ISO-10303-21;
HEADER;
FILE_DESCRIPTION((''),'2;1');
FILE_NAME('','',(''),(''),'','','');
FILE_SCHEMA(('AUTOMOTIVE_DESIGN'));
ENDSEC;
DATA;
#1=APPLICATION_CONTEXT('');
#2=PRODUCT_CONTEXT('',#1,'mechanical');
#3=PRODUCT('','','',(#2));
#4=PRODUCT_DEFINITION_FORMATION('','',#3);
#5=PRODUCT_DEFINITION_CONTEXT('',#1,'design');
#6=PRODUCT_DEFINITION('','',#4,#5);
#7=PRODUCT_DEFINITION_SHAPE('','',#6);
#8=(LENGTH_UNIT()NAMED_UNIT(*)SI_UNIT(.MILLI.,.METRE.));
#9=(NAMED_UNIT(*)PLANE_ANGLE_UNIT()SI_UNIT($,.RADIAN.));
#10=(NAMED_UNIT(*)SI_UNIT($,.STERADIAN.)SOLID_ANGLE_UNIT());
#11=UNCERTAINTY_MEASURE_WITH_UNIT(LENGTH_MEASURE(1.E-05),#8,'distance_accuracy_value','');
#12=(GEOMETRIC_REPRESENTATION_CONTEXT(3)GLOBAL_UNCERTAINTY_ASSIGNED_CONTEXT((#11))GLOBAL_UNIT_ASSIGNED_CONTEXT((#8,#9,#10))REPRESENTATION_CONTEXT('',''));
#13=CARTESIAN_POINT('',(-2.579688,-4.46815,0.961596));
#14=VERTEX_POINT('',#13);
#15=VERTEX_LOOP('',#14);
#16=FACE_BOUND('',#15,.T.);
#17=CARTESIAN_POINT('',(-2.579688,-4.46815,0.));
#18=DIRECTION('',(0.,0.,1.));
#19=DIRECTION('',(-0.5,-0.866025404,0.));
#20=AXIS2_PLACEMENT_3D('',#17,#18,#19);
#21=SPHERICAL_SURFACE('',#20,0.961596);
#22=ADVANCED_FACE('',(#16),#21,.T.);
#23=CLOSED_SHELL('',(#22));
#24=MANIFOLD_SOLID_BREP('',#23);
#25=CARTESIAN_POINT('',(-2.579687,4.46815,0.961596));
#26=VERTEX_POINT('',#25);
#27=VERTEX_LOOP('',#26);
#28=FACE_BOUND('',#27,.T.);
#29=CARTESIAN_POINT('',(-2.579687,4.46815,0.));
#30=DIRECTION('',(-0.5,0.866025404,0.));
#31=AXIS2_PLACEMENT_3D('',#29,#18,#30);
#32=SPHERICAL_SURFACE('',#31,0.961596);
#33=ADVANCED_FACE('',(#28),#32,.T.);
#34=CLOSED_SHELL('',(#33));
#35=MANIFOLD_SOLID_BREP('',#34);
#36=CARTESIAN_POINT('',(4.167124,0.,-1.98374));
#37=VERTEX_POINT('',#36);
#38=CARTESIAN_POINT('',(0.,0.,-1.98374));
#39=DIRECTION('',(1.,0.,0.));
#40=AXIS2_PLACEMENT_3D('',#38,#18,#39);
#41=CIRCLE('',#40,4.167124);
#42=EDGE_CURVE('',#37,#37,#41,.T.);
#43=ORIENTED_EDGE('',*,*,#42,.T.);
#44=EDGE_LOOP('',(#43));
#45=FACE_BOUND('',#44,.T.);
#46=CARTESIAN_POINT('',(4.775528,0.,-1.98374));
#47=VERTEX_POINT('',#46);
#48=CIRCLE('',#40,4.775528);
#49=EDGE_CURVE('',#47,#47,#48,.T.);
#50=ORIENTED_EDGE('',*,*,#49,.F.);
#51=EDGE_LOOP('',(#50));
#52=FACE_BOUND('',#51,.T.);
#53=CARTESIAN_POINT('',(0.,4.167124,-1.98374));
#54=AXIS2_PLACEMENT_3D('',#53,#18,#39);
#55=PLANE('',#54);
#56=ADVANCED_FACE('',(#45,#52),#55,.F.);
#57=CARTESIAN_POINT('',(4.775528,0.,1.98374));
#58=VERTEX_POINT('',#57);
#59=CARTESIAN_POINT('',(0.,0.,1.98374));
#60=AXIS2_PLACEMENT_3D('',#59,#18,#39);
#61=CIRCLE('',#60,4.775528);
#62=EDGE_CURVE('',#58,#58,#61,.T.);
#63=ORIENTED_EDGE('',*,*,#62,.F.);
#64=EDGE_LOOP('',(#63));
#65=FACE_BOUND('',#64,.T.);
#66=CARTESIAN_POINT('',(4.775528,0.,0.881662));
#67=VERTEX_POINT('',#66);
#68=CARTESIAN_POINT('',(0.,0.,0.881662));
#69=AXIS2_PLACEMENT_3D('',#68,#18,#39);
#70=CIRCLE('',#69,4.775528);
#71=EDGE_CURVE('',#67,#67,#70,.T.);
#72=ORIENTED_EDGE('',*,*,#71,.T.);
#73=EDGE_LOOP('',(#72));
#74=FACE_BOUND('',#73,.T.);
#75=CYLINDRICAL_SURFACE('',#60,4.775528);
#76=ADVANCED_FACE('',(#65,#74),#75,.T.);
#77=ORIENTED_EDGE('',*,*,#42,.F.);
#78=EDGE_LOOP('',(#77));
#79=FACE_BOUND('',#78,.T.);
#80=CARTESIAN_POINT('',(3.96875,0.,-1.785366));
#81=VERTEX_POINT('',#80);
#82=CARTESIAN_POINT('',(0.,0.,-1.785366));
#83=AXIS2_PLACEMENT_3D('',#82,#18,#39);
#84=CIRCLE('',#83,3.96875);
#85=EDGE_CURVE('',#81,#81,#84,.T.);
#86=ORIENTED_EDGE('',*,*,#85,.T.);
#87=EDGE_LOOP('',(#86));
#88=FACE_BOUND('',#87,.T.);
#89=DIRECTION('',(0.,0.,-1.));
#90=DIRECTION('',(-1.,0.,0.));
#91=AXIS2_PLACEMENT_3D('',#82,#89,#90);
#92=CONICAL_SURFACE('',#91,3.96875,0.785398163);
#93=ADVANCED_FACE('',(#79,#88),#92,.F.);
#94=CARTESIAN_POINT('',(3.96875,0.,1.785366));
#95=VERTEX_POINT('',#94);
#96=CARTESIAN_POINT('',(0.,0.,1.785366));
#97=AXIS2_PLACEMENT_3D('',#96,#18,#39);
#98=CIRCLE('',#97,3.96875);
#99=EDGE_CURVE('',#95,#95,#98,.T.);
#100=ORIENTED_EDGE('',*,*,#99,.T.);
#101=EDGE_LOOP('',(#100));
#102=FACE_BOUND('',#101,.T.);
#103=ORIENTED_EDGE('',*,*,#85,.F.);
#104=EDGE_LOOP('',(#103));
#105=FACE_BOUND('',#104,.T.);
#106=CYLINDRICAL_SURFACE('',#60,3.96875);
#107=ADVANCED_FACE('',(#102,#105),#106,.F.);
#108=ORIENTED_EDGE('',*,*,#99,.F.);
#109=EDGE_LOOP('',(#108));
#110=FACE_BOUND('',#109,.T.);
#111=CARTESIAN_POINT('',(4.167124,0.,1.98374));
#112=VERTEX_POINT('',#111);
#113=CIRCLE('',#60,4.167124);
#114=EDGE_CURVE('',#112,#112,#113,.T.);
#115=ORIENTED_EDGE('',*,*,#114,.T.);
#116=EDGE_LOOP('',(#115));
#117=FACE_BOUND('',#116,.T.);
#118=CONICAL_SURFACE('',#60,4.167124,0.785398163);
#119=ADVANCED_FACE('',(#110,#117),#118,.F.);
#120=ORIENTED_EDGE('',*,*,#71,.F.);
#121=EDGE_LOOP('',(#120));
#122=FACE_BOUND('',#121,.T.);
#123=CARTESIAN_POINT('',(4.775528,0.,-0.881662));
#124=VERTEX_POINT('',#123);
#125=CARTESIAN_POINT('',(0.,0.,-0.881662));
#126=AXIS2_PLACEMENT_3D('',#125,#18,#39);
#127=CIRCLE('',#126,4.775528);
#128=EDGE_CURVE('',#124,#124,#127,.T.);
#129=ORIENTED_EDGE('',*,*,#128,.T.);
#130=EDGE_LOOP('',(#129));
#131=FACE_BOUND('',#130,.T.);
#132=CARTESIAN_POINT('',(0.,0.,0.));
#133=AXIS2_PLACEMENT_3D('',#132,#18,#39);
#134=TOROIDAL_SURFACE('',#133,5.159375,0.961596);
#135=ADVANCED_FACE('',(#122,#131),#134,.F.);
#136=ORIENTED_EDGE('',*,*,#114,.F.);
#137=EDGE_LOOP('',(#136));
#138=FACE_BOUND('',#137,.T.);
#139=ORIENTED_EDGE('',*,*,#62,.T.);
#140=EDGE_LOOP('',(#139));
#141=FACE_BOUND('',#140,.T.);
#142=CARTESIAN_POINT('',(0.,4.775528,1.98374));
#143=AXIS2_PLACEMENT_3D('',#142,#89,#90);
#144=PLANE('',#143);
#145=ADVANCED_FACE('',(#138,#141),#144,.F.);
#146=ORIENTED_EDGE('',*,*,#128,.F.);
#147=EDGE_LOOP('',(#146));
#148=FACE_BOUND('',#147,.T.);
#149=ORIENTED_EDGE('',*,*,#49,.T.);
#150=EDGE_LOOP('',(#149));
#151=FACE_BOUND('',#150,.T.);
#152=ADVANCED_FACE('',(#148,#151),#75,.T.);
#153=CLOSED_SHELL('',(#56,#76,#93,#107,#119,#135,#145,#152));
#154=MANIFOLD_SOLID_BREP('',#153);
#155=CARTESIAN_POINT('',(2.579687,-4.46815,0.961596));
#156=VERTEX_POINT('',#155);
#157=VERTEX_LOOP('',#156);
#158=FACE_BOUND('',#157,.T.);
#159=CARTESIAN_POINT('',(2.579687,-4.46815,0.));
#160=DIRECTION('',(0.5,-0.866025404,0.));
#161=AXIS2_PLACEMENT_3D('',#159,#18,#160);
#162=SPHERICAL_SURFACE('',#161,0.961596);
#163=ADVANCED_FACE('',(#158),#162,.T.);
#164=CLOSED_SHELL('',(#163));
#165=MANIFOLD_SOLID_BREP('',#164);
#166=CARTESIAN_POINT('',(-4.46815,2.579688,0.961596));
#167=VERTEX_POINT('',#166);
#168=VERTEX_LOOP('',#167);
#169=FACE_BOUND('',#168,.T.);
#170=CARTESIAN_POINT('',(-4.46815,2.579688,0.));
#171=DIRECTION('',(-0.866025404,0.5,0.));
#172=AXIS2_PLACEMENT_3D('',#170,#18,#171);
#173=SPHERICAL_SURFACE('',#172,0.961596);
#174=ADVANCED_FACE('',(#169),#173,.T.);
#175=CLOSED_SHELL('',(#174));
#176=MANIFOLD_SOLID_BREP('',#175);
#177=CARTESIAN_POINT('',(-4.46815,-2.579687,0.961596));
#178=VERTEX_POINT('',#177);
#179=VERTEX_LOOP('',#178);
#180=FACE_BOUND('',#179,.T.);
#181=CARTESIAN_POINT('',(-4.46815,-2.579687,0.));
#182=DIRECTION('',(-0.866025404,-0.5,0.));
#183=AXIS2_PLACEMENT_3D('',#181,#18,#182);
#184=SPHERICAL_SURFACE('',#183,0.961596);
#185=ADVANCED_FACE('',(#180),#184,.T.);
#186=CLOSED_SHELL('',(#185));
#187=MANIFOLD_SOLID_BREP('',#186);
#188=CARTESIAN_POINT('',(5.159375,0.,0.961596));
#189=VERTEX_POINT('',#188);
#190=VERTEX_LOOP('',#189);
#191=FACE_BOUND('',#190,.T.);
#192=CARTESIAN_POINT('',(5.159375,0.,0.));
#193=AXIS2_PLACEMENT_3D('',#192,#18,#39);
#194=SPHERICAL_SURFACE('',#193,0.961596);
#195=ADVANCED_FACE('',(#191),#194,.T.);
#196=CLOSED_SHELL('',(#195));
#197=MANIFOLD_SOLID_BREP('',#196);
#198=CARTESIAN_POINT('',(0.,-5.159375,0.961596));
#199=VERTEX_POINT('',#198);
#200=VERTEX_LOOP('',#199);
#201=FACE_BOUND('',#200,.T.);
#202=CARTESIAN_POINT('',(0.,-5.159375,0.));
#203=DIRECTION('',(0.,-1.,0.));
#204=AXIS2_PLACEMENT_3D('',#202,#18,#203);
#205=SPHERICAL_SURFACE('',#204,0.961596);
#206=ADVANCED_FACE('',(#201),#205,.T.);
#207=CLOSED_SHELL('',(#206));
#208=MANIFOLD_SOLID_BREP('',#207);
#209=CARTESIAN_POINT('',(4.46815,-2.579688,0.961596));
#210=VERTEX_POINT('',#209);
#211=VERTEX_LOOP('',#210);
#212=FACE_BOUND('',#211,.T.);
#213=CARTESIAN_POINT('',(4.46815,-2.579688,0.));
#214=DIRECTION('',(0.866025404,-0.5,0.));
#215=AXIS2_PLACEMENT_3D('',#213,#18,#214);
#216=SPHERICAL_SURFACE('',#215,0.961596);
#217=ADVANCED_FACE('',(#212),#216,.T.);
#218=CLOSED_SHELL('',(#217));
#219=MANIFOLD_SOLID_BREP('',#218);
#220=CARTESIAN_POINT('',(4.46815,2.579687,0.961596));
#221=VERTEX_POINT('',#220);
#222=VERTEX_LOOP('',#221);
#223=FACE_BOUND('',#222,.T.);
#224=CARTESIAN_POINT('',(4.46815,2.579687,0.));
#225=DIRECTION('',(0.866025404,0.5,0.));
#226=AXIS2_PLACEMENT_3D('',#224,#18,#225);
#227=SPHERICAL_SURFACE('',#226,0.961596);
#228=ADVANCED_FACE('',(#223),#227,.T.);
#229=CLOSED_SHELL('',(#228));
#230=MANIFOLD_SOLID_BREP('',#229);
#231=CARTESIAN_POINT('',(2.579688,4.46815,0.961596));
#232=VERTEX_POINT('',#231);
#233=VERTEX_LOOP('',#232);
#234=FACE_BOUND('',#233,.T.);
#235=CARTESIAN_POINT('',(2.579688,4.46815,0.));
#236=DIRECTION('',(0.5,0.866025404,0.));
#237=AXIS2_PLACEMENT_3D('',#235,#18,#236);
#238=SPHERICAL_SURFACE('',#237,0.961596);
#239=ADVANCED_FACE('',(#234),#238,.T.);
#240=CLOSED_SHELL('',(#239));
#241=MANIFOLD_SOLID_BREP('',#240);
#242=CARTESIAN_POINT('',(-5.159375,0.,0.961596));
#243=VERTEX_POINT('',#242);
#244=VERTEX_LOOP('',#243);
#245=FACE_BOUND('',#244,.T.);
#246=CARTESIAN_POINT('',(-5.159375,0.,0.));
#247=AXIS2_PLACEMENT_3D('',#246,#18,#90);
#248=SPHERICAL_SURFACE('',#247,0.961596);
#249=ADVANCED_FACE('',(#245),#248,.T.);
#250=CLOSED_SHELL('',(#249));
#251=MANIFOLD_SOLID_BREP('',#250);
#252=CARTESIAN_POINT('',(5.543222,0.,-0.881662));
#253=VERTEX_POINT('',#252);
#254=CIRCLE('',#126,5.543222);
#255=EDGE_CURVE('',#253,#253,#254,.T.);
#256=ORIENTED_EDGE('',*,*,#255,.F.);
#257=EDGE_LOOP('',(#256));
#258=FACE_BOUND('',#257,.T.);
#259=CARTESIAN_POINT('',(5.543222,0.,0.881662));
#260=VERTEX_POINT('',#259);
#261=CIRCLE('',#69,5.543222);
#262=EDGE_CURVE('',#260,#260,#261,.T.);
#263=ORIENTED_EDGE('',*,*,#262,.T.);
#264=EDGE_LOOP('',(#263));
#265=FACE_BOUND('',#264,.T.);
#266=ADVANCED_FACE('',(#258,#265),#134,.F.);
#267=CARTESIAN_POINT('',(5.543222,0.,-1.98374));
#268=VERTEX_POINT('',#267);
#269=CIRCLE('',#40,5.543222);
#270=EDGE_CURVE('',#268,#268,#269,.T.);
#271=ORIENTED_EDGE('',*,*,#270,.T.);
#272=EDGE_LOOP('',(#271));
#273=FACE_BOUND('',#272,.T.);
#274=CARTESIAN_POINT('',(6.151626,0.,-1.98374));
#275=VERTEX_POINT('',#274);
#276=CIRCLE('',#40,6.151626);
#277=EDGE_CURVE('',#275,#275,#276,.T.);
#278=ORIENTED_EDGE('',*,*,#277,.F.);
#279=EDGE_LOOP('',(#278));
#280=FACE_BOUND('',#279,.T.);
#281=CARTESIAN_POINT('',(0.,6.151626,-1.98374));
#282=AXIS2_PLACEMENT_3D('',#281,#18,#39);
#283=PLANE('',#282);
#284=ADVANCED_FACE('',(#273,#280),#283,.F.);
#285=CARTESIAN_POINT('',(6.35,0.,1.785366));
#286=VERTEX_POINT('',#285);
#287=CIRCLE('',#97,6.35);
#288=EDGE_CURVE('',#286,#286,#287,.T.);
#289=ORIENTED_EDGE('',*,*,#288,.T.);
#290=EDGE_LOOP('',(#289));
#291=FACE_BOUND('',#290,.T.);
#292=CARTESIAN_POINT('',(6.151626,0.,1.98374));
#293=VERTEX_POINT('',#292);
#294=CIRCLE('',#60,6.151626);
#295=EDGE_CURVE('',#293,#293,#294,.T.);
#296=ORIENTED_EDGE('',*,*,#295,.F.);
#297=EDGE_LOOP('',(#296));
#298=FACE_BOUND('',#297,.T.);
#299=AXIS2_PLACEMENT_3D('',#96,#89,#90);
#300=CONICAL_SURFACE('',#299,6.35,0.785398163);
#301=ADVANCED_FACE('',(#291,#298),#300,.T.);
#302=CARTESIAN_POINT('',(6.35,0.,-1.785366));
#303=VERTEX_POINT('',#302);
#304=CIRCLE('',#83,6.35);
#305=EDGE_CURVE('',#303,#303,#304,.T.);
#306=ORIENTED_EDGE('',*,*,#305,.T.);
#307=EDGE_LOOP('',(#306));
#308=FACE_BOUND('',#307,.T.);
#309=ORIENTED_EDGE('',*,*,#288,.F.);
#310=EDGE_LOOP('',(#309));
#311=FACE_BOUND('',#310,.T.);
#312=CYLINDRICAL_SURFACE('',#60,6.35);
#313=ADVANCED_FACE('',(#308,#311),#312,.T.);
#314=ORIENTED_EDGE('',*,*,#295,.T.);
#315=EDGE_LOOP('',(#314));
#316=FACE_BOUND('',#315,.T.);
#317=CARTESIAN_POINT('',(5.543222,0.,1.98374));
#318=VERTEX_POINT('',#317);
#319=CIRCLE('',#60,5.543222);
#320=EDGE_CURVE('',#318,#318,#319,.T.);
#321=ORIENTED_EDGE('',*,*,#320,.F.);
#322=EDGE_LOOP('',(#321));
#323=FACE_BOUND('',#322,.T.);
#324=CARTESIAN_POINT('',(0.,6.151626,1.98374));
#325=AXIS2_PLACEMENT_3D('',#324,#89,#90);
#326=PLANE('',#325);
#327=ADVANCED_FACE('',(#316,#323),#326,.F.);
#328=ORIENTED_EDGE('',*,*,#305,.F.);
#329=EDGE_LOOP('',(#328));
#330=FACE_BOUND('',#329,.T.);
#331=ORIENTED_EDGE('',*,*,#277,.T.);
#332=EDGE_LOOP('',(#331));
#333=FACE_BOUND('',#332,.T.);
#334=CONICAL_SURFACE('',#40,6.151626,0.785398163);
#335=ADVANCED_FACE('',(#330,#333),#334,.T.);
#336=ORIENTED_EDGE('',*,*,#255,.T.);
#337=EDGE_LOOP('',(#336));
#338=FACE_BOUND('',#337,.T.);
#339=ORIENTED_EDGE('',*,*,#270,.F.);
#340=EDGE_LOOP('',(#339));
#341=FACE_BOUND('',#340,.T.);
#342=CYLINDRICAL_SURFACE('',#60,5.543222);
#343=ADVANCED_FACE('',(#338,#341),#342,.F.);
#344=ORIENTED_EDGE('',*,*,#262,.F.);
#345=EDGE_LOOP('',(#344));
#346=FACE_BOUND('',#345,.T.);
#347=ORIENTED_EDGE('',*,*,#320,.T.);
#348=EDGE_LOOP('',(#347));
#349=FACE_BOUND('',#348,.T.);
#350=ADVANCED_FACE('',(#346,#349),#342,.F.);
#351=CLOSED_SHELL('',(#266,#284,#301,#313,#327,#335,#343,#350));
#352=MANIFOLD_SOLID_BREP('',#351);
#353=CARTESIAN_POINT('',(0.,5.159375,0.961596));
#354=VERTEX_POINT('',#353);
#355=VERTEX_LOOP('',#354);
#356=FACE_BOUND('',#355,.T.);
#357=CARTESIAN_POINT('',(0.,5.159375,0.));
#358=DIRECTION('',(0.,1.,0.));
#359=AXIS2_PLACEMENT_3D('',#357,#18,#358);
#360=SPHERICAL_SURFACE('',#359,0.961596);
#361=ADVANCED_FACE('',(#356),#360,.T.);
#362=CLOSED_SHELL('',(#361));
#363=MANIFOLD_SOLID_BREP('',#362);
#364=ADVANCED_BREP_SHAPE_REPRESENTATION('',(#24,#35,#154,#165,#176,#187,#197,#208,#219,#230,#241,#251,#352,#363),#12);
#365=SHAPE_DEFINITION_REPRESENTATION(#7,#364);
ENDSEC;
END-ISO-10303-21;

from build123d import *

# Parameters (mm, degrees)
CIRPATTERN1_COUNT = 12


with BuildPart() as part:
    # Sketch1 → Revolve1 (revolve)
    with BuildSketch(Plane(origin=(0, 0, 0), x_dir=(0, 0, -1), z_dir=(1, 0, 0)), mode=Mode.PRIVATE) as revolve1_sk:
        with BuildLine():
            Line((1.785366, 6.35), (-1.785366, 6.35))
            Line((-1.785366, 6.35), (-1.98374, 6.151626))
            Line((-1.98374, 6.151626), (-1.98374, 5.543222033))
            Line((-1.98374, 5.543222033), (-0.881662222, 5.543222033))
            ThreePointArc((-0.881662222, 5.543222033), (0, 6.120970975), (0.881662222, 5.543222033))
            Line((0.881662222, 5.543222033), (1.98374, 5.543222033))
            Line((1.98374, 5.543222033), (1.98374, 6.151626))
            Line((1.98374, 6.151626), (1.785366, 6.35))
        make_face()
    revolve(revolve1_sk.sketch.rotate(Axis((0, 0, 1.98374), (0, 0, -1)), 90), axis=Axis((0, 0, 1.98374), (0, 0, -1)))  # turned: the seam where the file's is


with BuildPart() as body_2:
    # Sketch3 → Revolve3 (revolve)
    with BuildSketch(Plane(origin=(0, 0, 0), x_dir=(0, 0, -1), z_dir=(1, 0, 0)), mode=Mode.PRIVATE) as revolve3_sk:
        with BuildLine():
            Line((-1.98374, 4.775527967), (-0.881662222, 4.775527967))
            ThreePointArc((-0.881662222, 4.775527967), (0, 4.197779025), (0.881662222, 4.775527967))
            Line((0.881662222, 4.775527967), (1.98374, 4.775527967))
            Line((1.98374, 4.775527967), (1.98374, 4.167124))
            Line((1.98374, 4.167124), (1.785366, 3.96875))
            Line((1.785366, 3.96875), (-1.785366, 3.96875))
            Line((-1.785366, 3.96875), (-1.98374, 4.167124))
            Line((-1.98374, 4.167124), (-1.98374, 4.775527967))
        make_face()
    revolve(revolve3_sk.sketch.rotate(Axis((0, 0, 1.98374), (0, 0, -1)), 90), axis=Axis((0, 0, 1.98374), (0, 0, -1)))  # turned: the seam where the file's is


with BuildPart() as body_3:
    # Sketch4 → Revolve4 (revolve)
    with BuildSketch(Plane(origin=(0, 0, 0), x_dir=(0, 0, -1), z_dir=(1, 0, 0))):
        with BuildLine():
            Line((-0.961595975, 5.159375), (0.961595975, 5.159375))
            ThreePointArc((0.961595975, 5.159375), (0, 6.120970975), (-0.961595975, 5.159375))
        make_face()
    revolve(axis=Axis((0, 5.159375, 0.961595975), (0, 0, -1)))


with BuildPart() as cirpattern1_1:
    # CirPattern1: pattern copy
    add(body_3.part.rotate(Axis((0, 0, 0), (0, 0, 1)), 1 * 360 / CIRPATTERN1_COUNT))


with BuildPart() as cirpattern1_2:
    # CirPattern1: pattern copy
    add(body_3.part.rotate(Axis((0, 0, 0), (0, 0, 1)), 2 * 360 / CIRPATTERN1_COUNT))


with BuildPart() as cirpattern1_3:
    # CirPattern1: pattern copy
    add(body_3.part.rotate(Axis((0, 0, 0), (0, 0, 1)), 3 * 360 / CIRPATTERN1_COUNT))


with BuildPart() as cirpattern1_4:
    # CirPattern1: pattern copy
    add(body_3.part.rotate(Axis((0, 0, 0), (0, 0, 1)), 4 * 360 / CIRPATTERN1_COUNT))


with BuildPart() as cirpattern1_5:
    # CirPattern1: pattern copy
    add(body_3.part.rotate(Axis((0, 0, 0), (0, 0, 1)), 5 * 360 / CIRPATTERN1_COUNT))


with BuildPart() as cirpattern1_6:
    # CirPattern1: pattern copy
    add(body_3.part.rotate(Axis((0, 0, 0), (0, 0, 1)), 6 * 360 / CIRPATTERN1_COUNT))


with BuildPart() as cirpattern1_7:
    # CirPattern1: pattern copy
    add(body_3.part.rotate(Axis((0, 0, 0), (0, 0, 1)), 7 * 360 / CIRPATTERN1_COUNT))


with BuildPart() as cirpattern1_8:
    # CirPattern1: pattern copy
    add(body_3.part.rotate(Axis((0, 0, 0), (0, 0, 1)), 8 * 360 / CIRPATTERN1_COUNT))


with BuildPart() as cirpattern1_9:
    # CirPattern1: pattern copy
    add(body_3.part.rotate(Axis((0, 0, 0), (0, 0, 1)), 9 * 360 / CIRPATTERN1_COUNT))


with BuildPart() as cirpattern1_10:
    # CirPattern1: pattern copy
    add(body_3.part.rotate(Axis((0, 0, 0), (0, 0, 1)), 10 * 360 / CIRPATTERN1_COUNT))


with BuildPart() as cirpattern1_11:
    # CirPattern1: pattern copy
    add(body_3.part.rotate(Axis((0, 0, 0), (0, 0, 1)), 11 * 360 / CIRPATTERN1_COUNT))


solid = Compound([part.part, body_2.part, body_3.part, cirpattern1_1.part, cirpattern1_2.part, cirpattern1_3.part, cirpattern1_4.part, cirpattern1_5.part, cirpattern1_6.part, cirpattern1_7.part, cirpattern1_8.part, cirpattern1_9.part, cirpattern1_10.part, cirpattern1_11.part])
